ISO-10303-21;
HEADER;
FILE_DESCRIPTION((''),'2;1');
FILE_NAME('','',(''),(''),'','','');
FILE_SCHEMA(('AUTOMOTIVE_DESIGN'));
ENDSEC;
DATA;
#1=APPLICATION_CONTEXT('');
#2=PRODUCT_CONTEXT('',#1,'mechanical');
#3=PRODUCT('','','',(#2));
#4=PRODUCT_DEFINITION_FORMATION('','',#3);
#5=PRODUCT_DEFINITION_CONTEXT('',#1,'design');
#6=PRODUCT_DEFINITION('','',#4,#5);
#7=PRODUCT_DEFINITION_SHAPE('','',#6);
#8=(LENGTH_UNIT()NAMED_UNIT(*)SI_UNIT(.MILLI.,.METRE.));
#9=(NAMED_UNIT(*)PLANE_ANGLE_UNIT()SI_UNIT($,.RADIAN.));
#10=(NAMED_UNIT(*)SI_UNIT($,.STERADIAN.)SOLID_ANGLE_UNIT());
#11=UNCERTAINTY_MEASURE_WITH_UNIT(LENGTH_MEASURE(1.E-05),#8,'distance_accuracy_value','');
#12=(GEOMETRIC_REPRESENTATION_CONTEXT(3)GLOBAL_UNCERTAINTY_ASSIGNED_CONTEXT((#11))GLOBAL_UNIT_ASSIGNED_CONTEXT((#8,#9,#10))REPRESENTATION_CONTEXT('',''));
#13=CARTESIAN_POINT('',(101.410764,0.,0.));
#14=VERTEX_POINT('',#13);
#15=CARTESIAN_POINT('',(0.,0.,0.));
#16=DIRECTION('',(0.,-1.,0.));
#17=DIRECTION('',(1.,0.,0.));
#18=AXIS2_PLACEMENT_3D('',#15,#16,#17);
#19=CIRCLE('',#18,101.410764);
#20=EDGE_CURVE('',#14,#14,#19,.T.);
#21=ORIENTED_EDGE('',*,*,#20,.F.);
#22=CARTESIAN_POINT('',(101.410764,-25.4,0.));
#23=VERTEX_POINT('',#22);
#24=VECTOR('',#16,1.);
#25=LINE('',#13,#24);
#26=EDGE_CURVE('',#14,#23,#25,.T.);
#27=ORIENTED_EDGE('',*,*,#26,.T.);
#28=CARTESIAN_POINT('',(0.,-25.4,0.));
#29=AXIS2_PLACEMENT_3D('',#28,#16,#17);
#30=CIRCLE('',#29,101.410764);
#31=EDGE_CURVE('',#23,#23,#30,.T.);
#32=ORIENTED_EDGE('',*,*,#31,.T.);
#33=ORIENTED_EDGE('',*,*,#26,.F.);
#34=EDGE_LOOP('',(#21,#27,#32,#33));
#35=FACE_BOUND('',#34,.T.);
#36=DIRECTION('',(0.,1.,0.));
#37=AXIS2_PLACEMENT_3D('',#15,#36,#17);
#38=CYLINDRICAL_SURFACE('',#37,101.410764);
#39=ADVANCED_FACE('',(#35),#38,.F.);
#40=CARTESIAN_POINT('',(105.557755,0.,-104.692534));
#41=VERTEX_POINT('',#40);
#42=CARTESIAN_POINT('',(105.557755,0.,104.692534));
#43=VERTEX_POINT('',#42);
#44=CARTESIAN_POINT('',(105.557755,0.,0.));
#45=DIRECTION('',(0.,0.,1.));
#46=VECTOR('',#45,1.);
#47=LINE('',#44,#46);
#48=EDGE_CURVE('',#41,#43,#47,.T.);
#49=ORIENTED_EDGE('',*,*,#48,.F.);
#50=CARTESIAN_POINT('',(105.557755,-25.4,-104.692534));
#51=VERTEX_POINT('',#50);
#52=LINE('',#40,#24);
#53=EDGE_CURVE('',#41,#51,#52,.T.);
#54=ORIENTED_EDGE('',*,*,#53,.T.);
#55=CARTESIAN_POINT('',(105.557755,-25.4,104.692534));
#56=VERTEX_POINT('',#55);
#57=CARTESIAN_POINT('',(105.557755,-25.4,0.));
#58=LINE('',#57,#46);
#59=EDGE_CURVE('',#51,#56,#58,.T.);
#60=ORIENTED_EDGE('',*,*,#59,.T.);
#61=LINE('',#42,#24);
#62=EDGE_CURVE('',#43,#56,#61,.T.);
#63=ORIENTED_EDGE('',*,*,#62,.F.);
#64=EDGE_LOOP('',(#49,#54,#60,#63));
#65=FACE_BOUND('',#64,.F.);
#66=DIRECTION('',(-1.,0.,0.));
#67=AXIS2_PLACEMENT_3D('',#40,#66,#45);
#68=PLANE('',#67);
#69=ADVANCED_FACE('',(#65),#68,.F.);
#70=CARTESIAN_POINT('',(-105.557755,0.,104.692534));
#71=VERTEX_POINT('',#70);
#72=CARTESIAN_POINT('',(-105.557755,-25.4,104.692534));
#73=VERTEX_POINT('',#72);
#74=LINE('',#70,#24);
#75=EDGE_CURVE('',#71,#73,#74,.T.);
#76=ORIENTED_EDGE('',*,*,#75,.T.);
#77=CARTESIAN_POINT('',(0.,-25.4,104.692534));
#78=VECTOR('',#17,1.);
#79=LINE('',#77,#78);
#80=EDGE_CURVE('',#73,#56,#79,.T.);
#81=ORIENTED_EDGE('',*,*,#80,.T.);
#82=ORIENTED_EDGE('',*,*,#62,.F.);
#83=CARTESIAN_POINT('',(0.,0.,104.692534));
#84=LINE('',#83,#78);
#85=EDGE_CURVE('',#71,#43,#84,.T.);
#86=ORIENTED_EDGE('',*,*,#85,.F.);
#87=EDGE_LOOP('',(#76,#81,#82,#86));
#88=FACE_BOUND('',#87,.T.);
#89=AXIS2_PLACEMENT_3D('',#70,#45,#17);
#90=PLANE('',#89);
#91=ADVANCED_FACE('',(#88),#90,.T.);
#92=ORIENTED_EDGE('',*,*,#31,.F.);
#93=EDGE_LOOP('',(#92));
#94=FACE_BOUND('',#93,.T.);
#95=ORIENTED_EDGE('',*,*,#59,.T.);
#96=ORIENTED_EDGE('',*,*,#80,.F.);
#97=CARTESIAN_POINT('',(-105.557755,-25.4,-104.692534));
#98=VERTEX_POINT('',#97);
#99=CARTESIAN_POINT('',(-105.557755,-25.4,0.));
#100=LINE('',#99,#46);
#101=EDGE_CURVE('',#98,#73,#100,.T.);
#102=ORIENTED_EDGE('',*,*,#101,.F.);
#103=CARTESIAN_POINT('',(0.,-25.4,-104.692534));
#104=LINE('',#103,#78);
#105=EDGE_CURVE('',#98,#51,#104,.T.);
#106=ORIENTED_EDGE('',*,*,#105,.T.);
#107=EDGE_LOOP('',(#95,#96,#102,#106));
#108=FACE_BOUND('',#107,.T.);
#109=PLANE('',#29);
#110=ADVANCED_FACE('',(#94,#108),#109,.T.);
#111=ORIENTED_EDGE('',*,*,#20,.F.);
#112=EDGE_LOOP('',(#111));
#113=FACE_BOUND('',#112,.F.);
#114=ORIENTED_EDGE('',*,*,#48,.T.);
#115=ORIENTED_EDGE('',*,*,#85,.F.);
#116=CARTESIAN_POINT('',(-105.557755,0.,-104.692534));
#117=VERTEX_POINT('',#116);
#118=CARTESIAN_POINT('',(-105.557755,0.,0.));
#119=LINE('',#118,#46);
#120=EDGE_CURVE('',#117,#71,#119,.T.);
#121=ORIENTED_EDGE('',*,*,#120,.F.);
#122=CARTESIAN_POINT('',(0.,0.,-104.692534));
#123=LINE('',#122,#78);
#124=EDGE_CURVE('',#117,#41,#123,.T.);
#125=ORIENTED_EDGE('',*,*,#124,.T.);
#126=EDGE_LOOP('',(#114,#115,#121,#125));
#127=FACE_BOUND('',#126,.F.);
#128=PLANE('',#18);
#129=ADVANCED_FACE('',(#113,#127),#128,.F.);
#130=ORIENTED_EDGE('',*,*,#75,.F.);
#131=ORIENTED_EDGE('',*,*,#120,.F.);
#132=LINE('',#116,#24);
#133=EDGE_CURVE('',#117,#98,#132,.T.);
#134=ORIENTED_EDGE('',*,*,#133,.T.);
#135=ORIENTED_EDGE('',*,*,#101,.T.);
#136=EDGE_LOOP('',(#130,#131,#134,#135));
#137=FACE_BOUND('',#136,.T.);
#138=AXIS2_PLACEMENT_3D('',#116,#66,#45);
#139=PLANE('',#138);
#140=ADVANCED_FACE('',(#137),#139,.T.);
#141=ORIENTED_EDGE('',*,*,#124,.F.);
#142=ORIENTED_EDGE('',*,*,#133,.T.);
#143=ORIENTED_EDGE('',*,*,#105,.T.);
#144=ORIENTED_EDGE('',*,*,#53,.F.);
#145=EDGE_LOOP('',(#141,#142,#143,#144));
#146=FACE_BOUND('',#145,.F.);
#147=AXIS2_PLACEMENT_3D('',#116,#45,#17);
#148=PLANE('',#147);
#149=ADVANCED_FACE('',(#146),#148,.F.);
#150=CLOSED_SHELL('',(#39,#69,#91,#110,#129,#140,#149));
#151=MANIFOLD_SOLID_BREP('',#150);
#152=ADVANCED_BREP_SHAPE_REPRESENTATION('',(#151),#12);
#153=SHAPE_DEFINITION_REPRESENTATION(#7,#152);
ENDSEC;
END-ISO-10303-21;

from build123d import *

# Parameters (mm, degrees)
F0_W     = 211.11551
F0_H     = 209.385068
F0_R     = 101.410764
F1_DEPTH = 25.4
F2_DEPTH = 25.4


with BuildPart() as f1:
    # F0 (on Front) → F1 (new body)
    with BuildSketch(Plane.XZ):
        Rectangle(F0_W, F0_H)
        Circle(F0_R, mode=Mode.SUBTRACT)
    extrude(amount=F1_DEPTH)

    # F0 (on Front) → F2 (join)
    with BuildSketch(Plane.XZ):
        Rectangle(F0_W, F0_H)
        Circle(F0_R, mode=Mode.SUBTRACT)
    extrude(amount=F2_DEPTH)


solid = f1.part
